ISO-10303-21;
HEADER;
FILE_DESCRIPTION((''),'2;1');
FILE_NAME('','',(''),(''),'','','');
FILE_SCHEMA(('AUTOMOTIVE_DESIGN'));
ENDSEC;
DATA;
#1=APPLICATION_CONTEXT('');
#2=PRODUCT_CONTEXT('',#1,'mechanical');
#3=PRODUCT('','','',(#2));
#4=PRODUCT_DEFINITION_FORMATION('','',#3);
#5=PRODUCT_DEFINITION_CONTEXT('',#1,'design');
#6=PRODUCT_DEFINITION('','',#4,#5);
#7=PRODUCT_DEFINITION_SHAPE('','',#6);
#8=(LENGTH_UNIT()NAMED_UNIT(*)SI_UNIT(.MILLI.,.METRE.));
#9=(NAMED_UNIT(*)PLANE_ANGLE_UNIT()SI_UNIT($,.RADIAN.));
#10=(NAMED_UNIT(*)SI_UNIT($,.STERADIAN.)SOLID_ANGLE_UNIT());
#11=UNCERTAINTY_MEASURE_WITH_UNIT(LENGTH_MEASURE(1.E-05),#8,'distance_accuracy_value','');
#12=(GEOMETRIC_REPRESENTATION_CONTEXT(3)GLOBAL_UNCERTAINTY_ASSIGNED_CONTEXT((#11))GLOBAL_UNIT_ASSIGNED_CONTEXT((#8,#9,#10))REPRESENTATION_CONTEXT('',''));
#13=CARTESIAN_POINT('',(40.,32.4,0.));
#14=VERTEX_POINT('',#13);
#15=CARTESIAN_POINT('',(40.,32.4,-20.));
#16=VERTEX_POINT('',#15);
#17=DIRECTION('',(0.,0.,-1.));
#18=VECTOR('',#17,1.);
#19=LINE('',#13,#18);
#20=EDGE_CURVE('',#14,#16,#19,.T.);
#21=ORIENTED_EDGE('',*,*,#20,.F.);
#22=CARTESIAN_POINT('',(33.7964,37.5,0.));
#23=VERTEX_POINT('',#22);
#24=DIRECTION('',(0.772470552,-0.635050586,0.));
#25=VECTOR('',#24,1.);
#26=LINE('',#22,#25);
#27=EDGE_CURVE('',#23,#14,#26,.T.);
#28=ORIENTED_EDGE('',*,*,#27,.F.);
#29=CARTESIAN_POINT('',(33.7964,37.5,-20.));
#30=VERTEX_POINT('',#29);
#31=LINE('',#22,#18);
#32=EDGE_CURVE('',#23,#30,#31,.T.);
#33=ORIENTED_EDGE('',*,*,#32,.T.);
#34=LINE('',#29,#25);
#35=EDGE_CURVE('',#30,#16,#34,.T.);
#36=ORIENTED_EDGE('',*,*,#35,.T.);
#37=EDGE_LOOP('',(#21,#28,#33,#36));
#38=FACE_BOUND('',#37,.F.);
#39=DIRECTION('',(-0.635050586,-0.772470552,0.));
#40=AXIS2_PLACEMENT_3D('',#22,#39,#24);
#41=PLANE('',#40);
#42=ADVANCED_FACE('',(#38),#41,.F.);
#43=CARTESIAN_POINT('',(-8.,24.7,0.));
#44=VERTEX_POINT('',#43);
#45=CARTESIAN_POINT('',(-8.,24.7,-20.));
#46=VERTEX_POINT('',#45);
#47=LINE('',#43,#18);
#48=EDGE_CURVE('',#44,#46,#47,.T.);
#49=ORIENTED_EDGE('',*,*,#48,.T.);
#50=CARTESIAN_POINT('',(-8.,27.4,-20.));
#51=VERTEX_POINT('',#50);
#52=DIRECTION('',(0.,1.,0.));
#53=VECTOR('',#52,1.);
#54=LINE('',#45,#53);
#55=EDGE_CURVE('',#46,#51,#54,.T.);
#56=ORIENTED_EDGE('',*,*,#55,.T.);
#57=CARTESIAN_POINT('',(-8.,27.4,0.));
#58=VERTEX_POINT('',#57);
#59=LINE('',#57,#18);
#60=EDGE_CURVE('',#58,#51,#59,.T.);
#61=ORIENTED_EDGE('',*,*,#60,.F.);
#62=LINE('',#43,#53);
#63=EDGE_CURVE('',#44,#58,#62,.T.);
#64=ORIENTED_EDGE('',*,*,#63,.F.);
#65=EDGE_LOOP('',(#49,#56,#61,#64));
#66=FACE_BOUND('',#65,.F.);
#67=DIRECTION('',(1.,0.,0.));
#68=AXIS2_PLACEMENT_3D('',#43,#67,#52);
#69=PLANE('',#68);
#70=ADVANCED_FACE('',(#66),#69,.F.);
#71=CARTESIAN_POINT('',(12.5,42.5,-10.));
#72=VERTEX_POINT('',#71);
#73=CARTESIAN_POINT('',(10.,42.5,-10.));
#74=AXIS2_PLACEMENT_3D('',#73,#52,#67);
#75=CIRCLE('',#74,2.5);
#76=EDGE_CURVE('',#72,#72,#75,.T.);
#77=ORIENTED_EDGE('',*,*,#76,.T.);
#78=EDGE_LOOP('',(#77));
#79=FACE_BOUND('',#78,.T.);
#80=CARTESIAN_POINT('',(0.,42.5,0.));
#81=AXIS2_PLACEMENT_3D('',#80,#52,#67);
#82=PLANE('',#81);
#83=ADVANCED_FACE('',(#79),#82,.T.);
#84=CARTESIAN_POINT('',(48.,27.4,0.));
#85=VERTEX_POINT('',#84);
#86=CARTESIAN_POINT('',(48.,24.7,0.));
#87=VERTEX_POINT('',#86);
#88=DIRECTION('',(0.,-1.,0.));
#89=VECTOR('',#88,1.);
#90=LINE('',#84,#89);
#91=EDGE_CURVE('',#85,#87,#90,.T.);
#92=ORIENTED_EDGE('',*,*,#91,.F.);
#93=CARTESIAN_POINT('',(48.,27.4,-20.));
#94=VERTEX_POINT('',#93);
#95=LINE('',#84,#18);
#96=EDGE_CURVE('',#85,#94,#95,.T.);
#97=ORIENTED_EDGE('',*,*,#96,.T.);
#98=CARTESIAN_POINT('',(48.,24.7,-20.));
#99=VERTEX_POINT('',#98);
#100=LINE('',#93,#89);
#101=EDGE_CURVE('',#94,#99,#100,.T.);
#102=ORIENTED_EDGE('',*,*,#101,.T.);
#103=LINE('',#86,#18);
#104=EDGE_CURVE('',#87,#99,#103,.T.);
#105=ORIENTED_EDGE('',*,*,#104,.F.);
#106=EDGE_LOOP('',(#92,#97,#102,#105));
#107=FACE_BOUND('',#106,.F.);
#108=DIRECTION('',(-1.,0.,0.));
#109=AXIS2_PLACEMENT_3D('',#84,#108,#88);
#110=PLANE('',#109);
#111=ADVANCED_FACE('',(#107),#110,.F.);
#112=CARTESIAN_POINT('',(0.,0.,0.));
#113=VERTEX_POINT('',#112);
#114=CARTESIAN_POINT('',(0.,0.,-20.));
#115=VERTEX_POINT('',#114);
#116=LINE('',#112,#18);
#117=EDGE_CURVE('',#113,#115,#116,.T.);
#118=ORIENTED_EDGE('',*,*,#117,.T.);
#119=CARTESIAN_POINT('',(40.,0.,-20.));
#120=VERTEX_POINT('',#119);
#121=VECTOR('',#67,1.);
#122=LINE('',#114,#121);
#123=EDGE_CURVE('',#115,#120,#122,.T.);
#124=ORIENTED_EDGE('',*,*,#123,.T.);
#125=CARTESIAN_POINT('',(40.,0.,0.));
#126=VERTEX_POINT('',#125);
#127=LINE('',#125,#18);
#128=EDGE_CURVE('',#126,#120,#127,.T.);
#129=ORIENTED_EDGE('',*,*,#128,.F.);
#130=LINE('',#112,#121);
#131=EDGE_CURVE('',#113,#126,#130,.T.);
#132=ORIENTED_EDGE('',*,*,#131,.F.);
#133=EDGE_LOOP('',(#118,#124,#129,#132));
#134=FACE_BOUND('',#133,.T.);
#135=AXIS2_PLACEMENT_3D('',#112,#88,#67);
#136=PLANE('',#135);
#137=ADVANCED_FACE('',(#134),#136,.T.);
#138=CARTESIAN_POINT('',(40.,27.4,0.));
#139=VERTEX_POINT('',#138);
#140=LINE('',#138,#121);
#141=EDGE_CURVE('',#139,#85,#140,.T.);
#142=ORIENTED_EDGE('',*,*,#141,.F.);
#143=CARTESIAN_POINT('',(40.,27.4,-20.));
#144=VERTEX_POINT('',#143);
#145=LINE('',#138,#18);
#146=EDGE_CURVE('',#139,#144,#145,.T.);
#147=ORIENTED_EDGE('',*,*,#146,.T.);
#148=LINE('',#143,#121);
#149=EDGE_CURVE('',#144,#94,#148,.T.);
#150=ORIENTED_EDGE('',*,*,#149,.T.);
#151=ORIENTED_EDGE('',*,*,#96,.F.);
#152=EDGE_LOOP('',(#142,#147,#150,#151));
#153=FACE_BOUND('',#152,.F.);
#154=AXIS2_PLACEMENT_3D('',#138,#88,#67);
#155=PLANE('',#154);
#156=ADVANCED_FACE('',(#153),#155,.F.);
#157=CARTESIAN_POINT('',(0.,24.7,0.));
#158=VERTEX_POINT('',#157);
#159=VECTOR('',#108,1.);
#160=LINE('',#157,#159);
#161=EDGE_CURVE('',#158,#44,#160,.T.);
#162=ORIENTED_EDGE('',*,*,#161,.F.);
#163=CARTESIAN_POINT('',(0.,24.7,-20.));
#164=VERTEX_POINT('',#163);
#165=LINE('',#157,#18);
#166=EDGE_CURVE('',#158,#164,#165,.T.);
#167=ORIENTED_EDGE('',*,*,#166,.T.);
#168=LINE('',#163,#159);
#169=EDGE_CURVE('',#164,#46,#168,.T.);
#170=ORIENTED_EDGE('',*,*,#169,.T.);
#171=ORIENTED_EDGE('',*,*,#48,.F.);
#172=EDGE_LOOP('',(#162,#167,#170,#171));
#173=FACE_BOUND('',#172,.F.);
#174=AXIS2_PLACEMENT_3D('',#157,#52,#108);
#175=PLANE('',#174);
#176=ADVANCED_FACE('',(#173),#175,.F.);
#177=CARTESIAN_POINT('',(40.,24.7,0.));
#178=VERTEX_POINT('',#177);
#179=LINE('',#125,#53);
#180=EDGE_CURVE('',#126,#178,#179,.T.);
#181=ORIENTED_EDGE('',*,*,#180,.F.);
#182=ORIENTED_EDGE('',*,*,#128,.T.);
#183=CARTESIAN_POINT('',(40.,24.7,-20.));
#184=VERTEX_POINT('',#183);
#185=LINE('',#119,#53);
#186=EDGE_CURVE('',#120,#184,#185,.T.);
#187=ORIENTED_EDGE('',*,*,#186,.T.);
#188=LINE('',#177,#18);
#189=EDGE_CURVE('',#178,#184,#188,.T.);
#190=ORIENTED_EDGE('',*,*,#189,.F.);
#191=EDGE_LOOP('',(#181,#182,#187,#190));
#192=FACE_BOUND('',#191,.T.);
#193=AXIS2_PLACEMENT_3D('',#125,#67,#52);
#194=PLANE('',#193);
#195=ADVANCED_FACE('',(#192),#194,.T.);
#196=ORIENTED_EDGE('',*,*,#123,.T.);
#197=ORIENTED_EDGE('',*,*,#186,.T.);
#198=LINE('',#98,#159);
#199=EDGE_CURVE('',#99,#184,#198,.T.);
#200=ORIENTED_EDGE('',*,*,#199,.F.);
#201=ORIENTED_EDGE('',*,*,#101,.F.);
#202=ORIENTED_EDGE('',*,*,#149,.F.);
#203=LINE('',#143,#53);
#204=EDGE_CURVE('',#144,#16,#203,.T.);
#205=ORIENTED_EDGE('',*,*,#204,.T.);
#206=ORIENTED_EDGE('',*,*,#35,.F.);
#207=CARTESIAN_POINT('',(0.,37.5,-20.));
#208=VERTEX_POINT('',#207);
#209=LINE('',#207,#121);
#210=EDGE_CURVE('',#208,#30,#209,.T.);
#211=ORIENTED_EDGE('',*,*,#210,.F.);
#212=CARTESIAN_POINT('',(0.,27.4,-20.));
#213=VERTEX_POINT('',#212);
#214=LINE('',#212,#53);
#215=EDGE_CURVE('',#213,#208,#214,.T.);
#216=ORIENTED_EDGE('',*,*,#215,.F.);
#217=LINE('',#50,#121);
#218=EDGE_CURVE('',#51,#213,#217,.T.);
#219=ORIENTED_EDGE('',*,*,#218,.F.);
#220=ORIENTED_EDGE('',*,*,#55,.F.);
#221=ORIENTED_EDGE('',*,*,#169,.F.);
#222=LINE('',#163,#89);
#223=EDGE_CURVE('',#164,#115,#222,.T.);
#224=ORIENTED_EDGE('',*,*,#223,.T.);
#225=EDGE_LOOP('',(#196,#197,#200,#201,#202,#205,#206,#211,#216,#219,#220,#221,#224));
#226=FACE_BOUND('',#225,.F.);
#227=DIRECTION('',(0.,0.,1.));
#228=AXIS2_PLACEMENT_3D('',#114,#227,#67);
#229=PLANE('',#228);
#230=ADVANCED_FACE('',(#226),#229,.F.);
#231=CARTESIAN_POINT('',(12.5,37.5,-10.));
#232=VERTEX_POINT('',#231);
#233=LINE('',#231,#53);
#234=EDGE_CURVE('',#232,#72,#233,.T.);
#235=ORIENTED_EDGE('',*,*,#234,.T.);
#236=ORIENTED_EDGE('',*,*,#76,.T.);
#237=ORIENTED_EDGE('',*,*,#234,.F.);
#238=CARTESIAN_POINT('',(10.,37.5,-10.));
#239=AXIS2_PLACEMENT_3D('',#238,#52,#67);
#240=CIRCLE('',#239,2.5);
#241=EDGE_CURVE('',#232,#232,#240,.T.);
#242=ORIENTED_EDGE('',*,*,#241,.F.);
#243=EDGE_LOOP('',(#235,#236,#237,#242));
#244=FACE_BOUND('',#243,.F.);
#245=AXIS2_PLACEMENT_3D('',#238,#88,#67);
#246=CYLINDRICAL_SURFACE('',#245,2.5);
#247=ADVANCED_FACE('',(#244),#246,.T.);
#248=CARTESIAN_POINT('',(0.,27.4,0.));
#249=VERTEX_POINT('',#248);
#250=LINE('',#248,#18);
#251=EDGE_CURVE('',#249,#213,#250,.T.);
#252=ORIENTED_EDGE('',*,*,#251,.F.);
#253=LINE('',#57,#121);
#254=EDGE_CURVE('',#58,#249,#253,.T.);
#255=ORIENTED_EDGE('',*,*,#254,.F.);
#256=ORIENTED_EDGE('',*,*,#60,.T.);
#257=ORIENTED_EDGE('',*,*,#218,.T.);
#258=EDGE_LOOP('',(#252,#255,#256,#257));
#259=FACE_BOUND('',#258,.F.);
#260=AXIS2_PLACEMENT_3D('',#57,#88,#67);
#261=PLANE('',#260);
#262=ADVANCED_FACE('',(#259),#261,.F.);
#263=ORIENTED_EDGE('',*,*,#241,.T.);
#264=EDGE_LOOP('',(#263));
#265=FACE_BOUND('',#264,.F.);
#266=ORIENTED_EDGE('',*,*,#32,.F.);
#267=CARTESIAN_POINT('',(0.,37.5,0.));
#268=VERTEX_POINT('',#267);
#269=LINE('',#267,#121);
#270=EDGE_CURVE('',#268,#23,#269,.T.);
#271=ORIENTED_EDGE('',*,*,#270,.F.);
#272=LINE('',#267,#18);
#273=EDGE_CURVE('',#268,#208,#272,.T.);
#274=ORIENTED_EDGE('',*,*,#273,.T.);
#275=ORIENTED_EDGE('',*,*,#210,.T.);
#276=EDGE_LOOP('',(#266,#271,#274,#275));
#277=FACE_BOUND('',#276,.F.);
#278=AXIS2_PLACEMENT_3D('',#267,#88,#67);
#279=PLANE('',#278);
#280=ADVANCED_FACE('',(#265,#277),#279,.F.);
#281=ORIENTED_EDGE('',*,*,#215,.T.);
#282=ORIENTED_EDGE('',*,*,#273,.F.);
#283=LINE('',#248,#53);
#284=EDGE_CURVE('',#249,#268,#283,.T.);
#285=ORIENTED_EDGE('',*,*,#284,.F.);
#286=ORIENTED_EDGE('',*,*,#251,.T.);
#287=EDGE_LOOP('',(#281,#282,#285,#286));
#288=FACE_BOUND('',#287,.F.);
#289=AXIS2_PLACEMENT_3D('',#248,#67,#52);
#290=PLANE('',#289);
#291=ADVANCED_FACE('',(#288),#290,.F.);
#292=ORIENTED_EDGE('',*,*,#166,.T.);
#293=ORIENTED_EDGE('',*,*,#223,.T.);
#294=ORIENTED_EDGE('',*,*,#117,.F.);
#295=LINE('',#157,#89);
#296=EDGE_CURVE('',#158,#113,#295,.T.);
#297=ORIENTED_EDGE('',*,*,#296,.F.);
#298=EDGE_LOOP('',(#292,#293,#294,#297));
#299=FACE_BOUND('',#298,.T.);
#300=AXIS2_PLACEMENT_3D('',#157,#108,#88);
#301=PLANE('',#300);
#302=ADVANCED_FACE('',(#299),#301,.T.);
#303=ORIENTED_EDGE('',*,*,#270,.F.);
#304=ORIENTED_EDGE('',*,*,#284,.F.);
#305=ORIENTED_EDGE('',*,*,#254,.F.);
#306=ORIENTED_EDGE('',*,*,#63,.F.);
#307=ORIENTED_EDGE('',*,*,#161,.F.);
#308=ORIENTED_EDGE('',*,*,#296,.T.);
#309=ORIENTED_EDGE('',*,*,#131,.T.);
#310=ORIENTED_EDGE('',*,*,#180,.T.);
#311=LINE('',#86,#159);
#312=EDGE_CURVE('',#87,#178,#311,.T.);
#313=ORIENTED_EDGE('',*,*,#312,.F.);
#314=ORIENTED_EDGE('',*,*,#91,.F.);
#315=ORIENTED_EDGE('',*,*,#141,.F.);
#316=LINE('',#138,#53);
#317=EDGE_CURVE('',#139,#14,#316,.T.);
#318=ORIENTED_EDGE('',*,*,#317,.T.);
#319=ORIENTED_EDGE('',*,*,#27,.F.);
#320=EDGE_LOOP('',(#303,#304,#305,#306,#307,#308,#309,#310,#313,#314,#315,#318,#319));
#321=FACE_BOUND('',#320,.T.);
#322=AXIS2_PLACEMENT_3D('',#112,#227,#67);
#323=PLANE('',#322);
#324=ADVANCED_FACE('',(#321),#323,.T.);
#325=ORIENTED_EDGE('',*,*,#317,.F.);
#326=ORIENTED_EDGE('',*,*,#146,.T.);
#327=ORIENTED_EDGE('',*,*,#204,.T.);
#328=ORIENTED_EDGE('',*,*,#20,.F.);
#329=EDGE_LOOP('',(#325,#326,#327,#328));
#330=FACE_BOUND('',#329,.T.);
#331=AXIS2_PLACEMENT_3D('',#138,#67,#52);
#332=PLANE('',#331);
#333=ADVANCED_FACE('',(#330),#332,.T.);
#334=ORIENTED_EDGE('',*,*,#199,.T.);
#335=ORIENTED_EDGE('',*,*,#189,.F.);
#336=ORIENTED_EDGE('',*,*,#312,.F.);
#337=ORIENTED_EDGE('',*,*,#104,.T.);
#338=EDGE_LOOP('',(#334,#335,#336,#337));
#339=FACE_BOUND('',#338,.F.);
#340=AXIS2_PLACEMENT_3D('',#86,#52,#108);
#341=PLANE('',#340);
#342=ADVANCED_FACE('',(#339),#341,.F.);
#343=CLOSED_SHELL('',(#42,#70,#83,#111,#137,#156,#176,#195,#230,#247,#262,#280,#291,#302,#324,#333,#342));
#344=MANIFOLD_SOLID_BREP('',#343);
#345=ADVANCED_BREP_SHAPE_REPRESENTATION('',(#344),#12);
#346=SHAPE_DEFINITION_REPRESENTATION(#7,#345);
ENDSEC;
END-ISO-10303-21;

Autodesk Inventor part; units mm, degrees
ref_plane "YZ Plane" through (0, 0, 0) normal (1, 0, 0) x (0, 1, 0)
ref_plane "XZ Plane" through (0, 0, 0) normal (0, 1, 0) x (-1, 0, 0)
ref_plane "XY Plane" through (0, 0, 0) normal (0, 0, 1) x (1, 0, 0)
sketch "Sketch1" plane through (0, 0, 0) normal (0, 0, 1) x (1, 0, 0)
  line L0 (0, 0) -> (40, 0)
  line L1 (40, 0) -> (40, 24.7)
  line L2 (0, 24.7) -> (0, 0)
  line L3 (0, 24.7) -> (-8, 24.7)
  line L4 (-8, 24.7) -> (-8, 27.4)
  line L5 (-8, 27.4) -> (0, 27.4)
  line L6 (0, 27.4) -> (0, 37.5)
  line L7 (40, 27.4) -> (48, 27.4)
  line L8 (48, 27.4) -> (48, 24.7)
  line L9 (48, 24.7) -> (40, 24.7)
  line L10 (40, 27.4) -> (40, 32.4)
  line L11 (0, 37.5) -> (33.7964, 37.5)
  line L12 (33.7964, 37.5) -> (40, 32.4)
  dimension "d0" = 40
  dimension "d1" = 24.7
  dimension "d2" = 2.7
  dimension "d9" = 37.5
  dimension "d13" = 8
  dimension "d14" = 8
  dimension "d15" = 8
  dimension "d16" = 5
extrude "Extrusion1" add sketch "Sketch1" against normal blind 20
sketch "Sketch3" plane through (0, 37.5, 0) normal (0, 1, 0) x (1, 0, 0)
  circle A0 centre (10, 10) radius 2.5
  line L0 (0, 0) -> (0, 20) projected
  line L1 (0, 20) -> (33.7964, 20) projected
  dimension "d17" = 5
  dimension "d18" = 10
  dimension "d19" = 10
extrude "Extrusion3" add sketch "Sketch3" along normal blind 5
properties part number "servospt35"
